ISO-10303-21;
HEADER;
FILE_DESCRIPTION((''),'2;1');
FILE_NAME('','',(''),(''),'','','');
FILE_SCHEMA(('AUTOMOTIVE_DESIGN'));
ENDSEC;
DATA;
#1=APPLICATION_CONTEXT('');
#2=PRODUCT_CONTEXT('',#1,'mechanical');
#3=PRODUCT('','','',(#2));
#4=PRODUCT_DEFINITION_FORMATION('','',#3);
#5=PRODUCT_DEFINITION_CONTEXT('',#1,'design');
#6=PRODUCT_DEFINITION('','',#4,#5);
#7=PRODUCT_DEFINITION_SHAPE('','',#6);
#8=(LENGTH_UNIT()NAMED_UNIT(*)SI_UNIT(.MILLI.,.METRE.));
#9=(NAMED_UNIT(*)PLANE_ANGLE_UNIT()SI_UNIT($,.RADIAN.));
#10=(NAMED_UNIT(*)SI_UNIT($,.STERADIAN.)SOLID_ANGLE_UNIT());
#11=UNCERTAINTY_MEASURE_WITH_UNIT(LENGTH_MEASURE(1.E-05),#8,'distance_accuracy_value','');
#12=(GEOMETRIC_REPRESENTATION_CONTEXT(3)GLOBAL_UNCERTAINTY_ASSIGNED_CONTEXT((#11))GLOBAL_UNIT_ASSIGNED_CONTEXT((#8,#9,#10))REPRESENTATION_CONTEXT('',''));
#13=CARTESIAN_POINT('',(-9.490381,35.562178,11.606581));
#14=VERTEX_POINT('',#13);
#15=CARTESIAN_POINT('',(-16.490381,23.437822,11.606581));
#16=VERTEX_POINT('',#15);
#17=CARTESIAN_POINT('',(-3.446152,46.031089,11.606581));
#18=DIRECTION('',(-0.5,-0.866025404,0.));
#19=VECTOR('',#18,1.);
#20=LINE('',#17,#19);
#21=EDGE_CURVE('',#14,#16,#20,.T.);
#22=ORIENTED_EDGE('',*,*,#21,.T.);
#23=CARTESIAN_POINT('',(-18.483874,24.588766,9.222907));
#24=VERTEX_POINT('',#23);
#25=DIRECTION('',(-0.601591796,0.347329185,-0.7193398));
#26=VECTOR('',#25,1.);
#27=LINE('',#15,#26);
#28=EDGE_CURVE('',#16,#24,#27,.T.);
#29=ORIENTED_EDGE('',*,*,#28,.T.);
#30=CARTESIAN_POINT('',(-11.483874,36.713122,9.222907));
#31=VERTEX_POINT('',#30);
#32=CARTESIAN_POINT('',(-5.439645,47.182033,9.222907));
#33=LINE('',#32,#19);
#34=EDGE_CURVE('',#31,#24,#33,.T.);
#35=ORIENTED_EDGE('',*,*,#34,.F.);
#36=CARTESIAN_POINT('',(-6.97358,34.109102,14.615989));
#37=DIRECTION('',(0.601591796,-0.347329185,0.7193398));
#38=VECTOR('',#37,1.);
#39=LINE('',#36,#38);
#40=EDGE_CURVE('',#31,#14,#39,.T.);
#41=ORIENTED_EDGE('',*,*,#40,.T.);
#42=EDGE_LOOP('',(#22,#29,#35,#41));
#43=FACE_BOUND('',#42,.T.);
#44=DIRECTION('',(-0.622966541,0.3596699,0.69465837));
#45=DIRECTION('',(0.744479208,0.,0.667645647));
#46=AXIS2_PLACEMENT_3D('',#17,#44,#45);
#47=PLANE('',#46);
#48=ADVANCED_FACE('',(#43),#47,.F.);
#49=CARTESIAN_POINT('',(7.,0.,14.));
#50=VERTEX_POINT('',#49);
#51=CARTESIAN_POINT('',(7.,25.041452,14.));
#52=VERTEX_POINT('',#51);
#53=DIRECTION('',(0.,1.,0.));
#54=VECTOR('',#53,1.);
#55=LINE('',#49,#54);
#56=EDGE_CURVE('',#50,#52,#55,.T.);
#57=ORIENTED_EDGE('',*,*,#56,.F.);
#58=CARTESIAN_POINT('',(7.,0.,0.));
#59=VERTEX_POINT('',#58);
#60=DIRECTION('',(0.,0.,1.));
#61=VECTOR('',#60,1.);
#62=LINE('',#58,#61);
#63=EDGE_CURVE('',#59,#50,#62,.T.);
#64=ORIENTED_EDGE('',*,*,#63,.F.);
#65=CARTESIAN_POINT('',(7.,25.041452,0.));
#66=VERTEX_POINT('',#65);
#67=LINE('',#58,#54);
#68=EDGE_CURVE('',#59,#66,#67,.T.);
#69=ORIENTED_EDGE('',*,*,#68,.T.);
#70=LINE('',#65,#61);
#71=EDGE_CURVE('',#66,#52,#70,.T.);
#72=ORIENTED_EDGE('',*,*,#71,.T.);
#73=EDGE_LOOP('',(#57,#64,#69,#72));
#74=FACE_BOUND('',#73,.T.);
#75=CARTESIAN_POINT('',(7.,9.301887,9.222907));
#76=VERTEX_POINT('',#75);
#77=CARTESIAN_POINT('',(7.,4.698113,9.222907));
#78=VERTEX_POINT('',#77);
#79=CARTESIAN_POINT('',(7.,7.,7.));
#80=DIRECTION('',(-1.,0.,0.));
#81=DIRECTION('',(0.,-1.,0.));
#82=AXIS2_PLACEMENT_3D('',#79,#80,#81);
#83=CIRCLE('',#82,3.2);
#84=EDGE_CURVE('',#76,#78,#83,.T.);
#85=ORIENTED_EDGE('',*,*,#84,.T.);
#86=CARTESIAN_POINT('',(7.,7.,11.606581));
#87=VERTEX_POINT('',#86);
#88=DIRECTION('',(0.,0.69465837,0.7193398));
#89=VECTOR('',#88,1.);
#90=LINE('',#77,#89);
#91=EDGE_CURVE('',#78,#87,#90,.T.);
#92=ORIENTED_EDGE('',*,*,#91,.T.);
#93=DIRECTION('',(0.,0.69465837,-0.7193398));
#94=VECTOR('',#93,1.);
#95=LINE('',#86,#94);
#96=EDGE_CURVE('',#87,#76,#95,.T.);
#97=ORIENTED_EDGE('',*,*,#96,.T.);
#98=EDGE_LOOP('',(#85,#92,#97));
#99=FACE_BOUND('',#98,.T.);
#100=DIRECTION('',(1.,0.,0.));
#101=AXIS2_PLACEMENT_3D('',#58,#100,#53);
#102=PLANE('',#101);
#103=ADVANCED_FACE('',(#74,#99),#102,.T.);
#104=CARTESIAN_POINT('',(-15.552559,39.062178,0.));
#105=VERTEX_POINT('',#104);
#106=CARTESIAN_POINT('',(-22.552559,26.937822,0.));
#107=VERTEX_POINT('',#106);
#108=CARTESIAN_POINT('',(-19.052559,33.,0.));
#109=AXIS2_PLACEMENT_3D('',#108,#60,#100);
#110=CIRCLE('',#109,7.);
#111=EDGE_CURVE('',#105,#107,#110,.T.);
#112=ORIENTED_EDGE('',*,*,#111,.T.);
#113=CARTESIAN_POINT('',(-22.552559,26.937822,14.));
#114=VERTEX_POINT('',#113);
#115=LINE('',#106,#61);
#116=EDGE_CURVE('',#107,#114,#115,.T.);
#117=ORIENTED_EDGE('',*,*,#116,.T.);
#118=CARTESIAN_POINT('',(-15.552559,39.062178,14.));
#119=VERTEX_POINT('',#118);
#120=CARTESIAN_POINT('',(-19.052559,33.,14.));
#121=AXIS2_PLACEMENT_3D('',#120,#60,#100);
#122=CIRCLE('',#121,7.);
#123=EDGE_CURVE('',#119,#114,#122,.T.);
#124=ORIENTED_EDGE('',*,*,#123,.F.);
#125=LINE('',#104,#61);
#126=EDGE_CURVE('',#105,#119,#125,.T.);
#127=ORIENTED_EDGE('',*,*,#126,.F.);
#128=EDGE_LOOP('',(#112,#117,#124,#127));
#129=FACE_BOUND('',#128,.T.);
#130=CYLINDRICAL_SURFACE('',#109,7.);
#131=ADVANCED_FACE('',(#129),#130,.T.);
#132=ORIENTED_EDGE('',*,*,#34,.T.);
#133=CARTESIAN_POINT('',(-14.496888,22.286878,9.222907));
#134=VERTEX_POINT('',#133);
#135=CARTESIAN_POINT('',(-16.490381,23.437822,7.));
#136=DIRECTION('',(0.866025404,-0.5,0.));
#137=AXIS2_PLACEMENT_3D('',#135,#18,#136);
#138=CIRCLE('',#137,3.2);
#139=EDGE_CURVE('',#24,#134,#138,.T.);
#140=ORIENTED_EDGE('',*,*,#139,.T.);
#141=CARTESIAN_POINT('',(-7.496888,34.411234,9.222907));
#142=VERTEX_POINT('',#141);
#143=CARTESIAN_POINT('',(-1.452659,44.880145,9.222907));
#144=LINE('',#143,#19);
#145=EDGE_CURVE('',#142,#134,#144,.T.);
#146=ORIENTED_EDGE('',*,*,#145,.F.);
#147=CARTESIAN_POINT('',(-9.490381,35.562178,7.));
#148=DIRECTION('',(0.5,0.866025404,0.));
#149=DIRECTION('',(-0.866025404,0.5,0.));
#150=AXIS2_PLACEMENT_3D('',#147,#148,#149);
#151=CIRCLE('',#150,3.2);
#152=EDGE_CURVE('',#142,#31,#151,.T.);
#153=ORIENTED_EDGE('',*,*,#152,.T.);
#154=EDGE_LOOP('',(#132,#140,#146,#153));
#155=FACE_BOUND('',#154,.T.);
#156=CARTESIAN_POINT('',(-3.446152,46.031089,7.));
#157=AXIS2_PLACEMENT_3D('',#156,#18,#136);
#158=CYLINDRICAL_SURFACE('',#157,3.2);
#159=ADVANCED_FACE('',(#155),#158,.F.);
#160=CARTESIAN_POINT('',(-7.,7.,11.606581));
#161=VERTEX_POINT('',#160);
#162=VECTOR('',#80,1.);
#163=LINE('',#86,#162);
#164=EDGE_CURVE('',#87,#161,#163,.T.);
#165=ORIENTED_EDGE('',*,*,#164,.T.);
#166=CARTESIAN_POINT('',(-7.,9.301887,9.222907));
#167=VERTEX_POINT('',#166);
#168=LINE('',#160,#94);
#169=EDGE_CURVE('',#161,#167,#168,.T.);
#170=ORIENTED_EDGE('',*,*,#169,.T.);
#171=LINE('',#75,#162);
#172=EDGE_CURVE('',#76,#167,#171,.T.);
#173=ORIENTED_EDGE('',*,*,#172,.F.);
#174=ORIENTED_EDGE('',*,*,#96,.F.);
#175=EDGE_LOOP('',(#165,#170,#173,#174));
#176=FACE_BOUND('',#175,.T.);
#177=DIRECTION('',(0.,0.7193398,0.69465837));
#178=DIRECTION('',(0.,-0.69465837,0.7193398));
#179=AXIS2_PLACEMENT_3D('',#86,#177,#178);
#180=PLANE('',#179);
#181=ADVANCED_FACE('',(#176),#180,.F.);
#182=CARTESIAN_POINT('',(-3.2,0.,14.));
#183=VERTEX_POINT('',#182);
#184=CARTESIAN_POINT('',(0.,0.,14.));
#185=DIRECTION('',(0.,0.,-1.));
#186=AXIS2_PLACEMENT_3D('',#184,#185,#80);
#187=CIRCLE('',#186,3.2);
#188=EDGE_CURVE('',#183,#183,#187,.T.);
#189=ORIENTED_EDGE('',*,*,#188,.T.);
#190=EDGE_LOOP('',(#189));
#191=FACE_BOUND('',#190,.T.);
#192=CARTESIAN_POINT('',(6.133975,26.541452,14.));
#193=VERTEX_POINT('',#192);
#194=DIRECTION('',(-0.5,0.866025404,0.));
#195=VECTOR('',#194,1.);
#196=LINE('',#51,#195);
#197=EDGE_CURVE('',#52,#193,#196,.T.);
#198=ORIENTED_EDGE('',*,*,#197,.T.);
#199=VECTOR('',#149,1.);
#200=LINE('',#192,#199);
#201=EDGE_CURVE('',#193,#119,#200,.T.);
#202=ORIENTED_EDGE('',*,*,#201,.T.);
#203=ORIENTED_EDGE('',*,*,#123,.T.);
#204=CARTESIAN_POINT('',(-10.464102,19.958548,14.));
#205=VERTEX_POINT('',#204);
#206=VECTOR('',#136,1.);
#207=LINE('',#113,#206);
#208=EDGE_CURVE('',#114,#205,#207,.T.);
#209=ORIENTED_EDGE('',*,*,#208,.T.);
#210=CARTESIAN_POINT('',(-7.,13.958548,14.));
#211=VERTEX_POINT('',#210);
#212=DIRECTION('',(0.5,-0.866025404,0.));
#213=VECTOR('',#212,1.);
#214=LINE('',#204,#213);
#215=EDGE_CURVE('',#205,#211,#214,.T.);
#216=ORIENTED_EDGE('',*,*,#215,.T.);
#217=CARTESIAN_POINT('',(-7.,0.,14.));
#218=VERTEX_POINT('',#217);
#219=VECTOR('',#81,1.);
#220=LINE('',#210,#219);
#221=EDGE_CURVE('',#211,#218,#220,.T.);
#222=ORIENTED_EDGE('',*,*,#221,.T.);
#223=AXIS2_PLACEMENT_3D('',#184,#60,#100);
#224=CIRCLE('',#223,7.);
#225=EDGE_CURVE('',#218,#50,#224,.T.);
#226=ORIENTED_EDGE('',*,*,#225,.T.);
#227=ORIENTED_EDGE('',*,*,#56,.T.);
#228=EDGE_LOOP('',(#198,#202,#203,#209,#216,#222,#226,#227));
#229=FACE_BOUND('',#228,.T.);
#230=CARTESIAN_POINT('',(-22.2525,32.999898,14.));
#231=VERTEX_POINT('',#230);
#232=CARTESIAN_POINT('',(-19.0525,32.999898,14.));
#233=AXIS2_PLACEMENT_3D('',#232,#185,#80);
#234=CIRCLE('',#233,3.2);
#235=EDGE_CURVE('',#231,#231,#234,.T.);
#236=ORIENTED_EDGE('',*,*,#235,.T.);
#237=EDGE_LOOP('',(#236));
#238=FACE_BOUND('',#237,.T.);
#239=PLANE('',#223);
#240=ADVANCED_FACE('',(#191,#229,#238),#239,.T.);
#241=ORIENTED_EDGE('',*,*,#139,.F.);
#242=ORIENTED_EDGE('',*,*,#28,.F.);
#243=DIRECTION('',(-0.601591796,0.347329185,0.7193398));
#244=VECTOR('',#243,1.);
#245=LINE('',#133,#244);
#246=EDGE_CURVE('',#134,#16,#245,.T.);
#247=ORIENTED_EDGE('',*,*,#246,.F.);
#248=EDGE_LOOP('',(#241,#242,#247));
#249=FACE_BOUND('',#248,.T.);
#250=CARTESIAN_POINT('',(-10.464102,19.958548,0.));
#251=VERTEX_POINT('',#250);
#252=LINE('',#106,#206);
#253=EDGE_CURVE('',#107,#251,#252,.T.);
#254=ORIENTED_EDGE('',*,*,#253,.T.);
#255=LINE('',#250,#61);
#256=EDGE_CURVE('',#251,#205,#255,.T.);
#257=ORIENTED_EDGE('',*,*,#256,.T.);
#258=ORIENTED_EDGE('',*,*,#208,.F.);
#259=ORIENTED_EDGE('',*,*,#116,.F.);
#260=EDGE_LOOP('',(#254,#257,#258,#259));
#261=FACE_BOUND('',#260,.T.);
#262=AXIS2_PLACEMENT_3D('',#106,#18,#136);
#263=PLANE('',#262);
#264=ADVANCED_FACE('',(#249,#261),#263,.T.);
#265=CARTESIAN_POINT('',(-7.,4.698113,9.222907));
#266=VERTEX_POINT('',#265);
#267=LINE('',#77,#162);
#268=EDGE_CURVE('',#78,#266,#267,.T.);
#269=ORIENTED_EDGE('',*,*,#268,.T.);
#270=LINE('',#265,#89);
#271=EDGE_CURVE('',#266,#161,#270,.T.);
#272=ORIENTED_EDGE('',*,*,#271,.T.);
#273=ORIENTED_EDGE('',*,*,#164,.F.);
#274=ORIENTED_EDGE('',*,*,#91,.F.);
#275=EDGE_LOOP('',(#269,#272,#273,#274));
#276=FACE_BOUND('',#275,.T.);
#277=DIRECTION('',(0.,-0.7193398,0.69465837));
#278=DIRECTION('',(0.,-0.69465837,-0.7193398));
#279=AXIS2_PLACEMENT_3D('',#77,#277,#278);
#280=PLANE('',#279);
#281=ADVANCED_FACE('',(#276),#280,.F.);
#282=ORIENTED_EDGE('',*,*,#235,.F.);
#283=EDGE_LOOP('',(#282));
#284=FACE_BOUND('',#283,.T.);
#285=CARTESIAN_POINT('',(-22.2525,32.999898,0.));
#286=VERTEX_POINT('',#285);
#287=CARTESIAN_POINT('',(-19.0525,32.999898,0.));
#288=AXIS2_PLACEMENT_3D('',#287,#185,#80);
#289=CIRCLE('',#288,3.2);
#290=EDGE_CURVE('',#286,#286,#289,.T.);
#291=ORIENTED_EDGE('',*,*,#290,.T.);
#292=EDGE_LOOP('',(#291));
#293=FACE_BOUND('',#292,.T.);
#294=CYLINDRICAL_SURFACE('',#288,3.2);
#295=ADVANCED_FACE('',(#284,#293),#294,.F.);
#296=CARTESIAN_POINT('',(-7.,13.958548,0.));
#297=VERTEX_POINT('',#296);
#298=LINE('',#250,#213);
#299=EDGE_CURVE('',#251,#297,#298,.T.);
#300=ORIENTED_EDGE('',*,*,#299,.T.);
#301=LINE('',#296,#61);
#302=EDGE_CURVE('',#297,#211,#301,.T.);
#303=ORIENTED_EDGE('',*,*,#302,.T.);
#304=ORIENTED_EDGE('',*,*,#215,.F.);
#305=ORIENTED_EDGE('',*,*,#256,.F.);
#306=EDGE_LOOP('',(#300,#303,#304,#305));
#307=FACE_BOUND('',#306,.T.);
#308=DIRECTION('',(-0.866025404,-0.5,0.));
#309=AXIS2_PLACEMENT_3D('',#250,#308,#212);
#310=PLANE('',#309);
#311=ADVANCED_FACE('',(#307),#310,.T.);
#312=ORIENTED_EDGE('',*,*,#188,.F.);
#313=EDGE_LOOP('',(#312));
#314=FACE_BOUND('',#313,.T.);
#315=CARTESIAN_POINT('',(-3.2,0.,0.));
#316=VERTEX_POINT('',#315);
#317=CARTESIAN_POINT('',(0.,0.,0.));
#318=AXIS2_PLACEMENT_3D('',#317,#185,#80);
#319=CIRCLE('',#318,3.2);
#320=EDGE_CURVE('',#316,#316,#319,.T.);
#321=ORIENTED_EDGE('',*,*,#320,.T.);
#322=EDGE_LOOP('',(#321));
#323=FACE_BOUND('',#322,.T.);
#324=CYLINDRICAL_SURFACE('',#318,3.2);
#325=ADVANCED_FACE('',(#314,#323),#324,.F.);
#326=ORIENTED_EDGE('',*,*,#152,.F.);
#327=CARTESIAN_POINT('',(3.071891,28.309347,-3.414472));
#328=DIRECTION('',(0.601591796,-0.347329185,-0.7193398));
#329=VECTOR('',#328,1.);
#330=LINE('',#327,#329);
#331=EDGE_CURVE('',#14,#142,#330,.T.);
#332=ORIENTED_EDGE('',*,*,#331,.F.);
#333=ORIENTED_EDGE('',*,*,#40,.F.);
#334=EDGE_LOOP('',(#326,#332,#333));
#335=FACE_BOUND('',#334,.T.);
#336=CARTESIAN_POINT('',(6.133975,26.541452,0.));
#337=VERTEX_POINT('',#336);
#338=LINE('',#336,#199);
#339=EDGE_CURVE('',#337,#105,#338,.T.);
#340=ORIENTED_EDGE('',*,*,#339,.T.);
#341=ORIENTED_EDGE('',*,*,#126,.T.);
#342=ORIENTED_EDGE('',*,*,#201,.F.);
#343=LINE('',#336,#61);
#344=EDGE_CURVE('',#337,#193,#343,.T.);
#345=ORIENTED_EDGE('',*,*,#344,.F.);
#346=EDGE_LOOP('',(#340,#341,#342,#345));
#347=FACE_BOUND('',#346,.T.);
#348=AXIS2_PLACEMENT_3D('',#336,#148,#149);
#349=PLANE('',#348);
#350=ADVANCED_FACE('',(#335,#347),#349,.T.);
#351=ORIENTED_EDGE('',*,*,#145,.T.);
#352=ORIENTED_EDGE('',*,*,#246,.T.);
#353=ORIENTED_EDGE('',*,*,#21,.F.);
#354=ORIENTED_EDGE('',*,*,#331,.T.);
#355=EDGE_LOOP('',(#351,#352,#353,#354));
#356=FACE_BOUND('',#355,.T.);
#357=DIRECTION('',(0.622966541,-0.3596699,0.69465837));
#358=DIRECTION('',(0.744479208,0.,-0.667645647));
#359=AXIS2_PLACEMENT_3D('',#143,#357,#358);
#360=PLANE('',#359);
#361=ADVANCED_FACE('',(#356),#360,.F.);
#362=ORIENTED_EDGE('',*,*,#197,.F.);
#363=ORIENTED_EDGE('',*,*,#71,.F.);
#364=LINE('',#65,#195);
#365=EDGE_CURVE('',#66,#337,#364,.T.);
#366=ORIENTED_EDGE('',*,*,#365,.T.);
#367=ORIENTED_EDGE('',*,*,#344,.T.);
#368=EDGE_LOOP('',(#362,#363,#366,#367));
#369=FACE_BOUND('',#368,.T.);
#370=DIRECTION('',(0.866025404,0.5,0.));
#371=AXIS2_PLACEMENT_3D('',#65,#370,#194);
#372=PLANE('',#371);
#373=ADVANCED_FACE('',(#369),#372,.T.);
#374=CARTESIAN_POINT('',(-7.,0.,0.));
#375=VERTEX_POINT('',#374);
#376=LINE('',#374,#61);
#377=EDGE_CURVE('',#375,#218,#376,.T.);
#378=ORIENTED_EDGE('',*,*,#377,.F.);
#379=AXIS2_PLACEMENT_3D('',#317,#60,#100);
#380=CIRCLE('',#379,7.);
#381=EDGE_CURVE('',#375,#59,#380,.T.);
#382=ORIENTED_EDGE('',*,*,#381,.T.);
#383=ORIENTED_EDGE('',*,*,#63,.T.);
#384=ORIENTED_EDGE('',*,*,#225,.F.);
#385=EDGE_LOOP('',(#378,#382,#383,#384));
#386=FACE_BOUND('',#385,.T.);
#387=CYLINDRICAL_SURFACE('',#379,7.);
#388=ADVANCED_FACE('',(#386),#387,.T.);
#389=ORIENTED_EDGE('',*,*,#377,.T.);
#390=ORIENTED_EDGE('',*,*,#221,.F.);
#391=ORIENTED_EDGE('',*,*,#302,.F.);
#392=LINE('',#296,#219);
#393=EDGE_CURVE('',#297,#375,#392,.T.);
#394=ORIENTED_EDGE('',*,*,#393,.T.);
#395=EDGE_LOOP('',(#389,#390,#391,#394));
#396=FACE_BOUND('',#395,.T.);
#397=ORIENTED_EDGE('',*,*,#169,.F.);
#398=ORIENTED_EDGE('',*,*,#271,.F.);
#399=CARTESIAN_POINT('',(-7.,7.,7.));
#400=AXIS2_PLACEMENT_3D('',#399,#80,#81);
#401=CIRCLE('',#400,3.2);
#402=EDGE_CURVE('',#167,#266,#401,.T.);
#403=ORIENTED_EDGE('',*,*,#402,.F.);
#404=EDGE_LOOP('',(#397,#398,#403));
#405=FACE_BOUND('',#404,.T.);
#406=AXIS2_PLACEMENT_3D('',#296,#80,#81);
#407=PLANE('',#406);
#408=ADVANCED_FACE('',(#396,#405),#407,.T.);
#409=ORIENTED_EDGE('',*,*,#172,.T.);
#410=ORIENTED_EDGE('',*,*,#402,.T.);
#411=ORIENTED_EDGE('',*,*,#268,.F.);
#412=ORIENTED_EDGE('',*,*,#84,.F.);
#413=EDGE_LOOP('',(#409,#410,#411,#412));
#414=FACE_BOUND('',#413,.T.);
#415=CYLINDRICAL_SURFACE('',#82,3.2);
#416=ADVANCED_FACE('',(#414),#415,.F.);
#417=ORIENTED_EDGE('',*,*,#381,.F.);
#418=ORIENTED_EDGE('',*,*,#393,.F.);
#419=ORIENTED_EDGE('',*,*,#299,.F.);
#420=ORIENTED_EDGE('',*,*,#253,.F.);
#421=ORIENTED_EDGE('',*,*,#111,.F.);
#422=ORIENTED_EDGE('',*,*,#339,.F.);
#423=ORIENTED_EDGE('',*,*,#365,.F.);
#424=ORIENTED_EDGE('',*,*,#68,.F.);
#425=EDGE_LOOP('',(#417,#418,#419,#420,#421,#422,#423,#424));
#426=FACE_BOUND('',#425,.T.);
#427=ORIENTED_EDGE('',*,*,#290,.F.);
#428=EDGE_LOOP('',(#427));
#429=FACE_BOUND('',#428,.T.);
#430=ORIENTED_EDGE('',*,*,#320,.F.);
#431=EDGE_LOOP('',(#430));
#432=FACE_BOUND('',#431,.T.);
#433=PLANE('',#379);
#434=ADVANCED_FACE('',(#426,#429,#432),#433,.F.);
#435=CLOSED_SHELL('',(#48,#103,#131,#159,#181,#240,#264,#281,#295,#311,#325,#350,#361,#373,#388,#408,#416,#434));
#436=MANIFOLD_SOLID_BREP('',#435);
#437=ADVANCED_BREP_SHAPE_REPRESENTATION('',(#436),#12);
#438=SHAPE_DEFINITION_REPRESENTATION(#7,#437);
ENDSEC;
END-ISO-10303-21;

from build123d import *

# Parameters (mm, degrees)
BOSS_EXTRUDE1_DEPTH = 14
CUT_EXTRUDE1_DEPTH  = 46.814563472
CUT_EXTRUDE2_DEPTH  = 47.465040622
HOLE1_D             = 6.4
HOLE2_D             = 6.4


with BuildPart() as part:
    # Sketch1 → Boss-Extrude1 (new body)
    with BuildSketch(Plane.XY.offset(14)):
        with BuildLine():
            Line((7, 0), (7, 25.041451884))
            Line((7, 25.041451884), (6.133974596, 26.541451884))
            Line((6.133974596, 26.541451884), (-15.552558883, 39.062177826))
            ThreePointArc((-15.552558883, 39.062177826), (-25.11473671, 36.5), (-22.552558883, 26.937822174))
            Line((-22.552558883, 26.937822174), (-10.464101615, 19.958548116))
            Line((-10.464101615, 19.958548116), (-7, 13.958548116))
            Line((-7, 13.958548116), (-7, 0))
            ThreePointArc((-7, 0), (0, -7), (7, 0))
        make_face()
    extrude(amount=-BOSS_EXTRUDE1_DEPTH)

    # Sketch2 → Cut-Extrude1 (cut, through all)
    with BuildSketch(Plane(origin=(6.026279442, 10.437822174, 0), x_dir=(0.8660254037844398, -0.49999999999999806, 0), z_dir=(-0.499999999999998, -0.8660254037844397, 0))):
        with BuildLine():
            Line((-26, 11.606580927), (-28.301887361, 9.222906785))
            ThreePointArc((-28.301887361, 9.222906785), (-26, 3.8), (-23.698112639, 9.222906785))
            Line((-23.698112639, 9.222906785), (-26, 11.606580927))
        make_face()
    extrude(amount=-CUT_EXTRUDE1_DEPTH, mode=Mode.SUBTRACT)

    # Sketch3 → Cut-Extrude2 (cut, through all)
    with BuildSketch(Plane.ZY.offset(7)):
        with BuildLine():
            Line((9.222906785, 4.698112639), (11.606580927, 7))
            Line((11.606580927, 7), (9.222906785, 9.301887361))
            ThreePointArc((9.222906785, 9.301887361), (3.8, 7), (9.222906785, 4.698112639))
        make_face()
    extrude(amount=-CUT_EXTRUDE2_DEPTH, mode=Mode.SUBTRACT)

    # Hole1 (through all)
    with Locations(Plane(origin=(0, 0, 0), x_dir=(-1, 0, 0), z_dir=(0, 0, -1))):
        with Locations((0, 0)):
            Hole(HOLE1_D / 2)

    # Hole2 (through all)
    with Locations(Plane(origin=(0, 0, 0), x_dir=(-1, 0, 0), z_dir=(0, 0, -1))):
        with Locations((19.0525, 32.999898011)):
            Hole(HOLE2_D / 2)


solid = part.part
